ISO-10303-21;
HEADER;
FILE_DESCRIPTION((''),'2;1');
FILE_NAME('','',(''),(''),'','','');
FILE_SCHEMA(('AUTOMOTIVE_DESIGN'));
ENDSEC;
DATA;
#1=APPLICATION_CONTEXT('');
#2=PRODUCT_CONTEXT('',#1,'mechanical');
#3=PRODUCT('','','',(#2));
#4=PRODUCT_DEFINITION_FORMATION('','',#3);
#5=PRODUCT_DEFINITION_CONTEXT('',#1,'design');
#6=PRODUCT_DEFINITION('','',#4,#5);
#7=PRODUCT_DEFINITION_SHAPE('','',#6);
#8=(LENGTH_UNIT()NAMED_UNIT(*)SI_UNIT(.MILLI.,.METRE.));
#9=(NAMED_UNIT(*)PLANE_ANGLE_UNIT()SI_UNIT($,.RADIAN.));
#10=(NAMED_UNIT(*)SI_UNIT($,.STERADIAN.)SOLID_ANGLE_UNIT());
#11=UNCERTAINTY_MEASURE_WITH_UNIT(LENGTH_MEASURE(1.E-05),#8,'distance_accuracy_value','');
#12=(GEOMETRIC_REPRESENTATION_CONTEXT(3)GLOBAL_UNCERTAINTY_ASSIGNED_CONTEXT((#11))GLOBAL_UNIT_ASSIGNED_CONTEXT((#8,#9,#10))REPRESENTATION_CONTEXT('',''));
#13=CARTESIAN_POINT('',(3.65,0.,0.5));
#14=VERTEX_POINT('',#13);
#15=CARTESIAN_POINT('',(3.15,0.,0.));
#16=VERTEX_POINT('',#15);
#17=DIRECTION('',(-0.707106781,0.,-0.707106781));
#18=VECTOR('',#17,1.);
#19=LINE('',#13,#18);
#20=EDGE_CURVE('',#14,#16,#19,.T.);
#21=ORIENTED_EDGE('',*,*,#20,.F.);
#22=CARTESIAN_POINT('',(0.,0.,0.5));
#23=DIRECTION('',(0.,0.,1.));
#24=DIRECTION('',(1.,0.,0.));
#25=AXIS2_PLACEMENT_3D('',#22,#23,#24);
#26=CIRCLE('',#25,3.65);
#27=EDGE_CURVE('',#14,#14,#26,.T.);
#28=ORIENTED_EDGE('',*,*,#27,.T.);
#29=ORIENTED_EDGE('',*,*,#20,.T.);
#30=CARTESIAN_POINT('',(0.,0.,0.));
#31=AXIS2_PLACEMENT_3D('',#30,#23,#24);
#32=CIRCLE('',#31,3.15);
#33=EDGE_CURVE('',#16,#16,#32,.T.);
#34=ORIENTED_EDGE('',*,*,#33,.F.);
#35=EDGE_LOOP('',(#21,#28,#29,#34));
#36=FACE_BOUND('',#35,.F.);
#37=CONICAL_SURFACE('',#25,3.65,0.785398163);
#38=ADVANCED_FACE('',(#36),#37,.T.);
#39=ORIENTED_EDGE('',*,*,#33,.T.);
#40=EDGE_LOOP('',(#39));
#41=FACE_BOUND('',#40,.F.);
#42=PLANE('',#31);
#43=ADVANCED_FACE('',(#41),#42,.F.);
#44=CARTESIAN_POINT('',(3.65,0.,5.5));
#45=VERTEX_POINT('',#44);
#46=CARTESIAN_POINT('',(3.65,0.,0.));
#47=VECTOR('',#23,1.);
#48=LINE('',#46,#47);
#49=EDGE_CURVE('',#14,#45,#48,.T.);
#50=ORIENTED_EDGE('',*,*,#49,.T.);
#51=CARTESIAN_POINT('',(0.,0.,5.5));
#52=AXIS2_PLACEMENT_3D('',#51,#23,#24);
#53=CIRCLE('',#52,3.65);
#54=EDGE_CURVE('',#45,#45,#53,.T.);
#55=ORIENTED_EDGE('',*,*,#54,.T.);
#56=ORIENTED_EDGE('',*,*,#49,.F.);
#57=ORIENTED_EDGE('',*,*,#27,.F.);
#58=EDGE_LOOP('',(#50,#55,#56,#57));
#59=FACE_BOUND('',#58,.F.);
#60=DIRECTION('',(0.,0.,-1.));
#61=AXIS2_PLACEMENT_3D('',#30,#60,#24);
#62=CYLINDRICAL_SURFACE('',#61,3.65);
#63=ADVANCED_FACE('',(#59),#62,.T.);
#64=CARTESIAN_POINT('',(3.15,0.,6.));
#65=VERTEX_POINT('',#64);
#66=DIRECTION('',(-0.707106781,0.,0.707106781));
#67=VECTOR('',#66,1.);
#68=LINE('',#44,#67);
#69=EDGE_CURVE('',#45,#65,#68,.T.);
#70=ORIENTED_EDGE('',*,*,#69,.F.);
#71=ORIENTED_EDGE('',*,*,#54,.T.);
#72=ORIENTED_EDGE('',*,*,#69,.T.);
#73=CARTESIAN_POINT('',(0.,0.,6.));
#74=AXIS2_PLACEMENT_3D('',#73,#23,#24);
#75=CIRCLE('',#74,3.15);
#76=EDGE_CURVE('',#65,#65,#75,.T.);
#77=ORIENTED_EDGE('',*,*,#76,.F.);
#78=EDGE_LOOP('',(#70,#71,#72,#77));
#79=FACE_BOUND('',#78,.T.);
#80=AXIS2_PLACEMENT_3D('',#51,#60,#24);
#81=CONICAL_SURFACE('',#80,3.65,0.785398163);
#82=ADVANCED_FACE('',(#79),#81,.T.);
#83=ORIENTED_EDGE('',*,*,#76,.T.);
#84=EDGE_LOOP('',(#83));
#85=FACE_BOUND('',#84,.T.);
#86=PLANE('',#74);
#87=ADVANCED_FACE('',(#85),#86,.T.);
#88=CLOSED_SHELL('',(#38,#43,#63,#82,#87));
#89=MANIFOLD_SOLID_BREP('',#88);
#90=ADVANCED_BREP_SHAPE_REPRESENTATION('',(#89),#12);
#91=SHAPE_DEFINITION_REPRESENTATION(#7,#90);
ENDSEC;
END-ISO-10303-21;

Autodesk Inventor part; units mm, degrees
ref_plane "YZ Plane" through (0, 0, 0) normal (1, 0, 0) x (0, 1, 0)
ref_plane "XZ Plane" through (0, 0, 0) normal (0, 1, 0) x (-1, 0, 0)
ref_plane "XY Plane" through (0, 0, 0) normal (0, 0, 1) x (1, 0, 0)
sketch "Sketch1" plane through (0, 0, 0) normal (0, 0, 1) x (1, 0, 0)
  circle A0 centre (0, 0) radius 3.65
  dimension "d0" = 7.3
extrude "Extrusion1" add sketch "Sketch1" along normal blind 6
chamfer "Chamfer1" distance 0.5 angle 45 2 edges at (-3.65, 0, 6) (-3.65, 0, 0)
properties part number "hardenedsteelishard"
